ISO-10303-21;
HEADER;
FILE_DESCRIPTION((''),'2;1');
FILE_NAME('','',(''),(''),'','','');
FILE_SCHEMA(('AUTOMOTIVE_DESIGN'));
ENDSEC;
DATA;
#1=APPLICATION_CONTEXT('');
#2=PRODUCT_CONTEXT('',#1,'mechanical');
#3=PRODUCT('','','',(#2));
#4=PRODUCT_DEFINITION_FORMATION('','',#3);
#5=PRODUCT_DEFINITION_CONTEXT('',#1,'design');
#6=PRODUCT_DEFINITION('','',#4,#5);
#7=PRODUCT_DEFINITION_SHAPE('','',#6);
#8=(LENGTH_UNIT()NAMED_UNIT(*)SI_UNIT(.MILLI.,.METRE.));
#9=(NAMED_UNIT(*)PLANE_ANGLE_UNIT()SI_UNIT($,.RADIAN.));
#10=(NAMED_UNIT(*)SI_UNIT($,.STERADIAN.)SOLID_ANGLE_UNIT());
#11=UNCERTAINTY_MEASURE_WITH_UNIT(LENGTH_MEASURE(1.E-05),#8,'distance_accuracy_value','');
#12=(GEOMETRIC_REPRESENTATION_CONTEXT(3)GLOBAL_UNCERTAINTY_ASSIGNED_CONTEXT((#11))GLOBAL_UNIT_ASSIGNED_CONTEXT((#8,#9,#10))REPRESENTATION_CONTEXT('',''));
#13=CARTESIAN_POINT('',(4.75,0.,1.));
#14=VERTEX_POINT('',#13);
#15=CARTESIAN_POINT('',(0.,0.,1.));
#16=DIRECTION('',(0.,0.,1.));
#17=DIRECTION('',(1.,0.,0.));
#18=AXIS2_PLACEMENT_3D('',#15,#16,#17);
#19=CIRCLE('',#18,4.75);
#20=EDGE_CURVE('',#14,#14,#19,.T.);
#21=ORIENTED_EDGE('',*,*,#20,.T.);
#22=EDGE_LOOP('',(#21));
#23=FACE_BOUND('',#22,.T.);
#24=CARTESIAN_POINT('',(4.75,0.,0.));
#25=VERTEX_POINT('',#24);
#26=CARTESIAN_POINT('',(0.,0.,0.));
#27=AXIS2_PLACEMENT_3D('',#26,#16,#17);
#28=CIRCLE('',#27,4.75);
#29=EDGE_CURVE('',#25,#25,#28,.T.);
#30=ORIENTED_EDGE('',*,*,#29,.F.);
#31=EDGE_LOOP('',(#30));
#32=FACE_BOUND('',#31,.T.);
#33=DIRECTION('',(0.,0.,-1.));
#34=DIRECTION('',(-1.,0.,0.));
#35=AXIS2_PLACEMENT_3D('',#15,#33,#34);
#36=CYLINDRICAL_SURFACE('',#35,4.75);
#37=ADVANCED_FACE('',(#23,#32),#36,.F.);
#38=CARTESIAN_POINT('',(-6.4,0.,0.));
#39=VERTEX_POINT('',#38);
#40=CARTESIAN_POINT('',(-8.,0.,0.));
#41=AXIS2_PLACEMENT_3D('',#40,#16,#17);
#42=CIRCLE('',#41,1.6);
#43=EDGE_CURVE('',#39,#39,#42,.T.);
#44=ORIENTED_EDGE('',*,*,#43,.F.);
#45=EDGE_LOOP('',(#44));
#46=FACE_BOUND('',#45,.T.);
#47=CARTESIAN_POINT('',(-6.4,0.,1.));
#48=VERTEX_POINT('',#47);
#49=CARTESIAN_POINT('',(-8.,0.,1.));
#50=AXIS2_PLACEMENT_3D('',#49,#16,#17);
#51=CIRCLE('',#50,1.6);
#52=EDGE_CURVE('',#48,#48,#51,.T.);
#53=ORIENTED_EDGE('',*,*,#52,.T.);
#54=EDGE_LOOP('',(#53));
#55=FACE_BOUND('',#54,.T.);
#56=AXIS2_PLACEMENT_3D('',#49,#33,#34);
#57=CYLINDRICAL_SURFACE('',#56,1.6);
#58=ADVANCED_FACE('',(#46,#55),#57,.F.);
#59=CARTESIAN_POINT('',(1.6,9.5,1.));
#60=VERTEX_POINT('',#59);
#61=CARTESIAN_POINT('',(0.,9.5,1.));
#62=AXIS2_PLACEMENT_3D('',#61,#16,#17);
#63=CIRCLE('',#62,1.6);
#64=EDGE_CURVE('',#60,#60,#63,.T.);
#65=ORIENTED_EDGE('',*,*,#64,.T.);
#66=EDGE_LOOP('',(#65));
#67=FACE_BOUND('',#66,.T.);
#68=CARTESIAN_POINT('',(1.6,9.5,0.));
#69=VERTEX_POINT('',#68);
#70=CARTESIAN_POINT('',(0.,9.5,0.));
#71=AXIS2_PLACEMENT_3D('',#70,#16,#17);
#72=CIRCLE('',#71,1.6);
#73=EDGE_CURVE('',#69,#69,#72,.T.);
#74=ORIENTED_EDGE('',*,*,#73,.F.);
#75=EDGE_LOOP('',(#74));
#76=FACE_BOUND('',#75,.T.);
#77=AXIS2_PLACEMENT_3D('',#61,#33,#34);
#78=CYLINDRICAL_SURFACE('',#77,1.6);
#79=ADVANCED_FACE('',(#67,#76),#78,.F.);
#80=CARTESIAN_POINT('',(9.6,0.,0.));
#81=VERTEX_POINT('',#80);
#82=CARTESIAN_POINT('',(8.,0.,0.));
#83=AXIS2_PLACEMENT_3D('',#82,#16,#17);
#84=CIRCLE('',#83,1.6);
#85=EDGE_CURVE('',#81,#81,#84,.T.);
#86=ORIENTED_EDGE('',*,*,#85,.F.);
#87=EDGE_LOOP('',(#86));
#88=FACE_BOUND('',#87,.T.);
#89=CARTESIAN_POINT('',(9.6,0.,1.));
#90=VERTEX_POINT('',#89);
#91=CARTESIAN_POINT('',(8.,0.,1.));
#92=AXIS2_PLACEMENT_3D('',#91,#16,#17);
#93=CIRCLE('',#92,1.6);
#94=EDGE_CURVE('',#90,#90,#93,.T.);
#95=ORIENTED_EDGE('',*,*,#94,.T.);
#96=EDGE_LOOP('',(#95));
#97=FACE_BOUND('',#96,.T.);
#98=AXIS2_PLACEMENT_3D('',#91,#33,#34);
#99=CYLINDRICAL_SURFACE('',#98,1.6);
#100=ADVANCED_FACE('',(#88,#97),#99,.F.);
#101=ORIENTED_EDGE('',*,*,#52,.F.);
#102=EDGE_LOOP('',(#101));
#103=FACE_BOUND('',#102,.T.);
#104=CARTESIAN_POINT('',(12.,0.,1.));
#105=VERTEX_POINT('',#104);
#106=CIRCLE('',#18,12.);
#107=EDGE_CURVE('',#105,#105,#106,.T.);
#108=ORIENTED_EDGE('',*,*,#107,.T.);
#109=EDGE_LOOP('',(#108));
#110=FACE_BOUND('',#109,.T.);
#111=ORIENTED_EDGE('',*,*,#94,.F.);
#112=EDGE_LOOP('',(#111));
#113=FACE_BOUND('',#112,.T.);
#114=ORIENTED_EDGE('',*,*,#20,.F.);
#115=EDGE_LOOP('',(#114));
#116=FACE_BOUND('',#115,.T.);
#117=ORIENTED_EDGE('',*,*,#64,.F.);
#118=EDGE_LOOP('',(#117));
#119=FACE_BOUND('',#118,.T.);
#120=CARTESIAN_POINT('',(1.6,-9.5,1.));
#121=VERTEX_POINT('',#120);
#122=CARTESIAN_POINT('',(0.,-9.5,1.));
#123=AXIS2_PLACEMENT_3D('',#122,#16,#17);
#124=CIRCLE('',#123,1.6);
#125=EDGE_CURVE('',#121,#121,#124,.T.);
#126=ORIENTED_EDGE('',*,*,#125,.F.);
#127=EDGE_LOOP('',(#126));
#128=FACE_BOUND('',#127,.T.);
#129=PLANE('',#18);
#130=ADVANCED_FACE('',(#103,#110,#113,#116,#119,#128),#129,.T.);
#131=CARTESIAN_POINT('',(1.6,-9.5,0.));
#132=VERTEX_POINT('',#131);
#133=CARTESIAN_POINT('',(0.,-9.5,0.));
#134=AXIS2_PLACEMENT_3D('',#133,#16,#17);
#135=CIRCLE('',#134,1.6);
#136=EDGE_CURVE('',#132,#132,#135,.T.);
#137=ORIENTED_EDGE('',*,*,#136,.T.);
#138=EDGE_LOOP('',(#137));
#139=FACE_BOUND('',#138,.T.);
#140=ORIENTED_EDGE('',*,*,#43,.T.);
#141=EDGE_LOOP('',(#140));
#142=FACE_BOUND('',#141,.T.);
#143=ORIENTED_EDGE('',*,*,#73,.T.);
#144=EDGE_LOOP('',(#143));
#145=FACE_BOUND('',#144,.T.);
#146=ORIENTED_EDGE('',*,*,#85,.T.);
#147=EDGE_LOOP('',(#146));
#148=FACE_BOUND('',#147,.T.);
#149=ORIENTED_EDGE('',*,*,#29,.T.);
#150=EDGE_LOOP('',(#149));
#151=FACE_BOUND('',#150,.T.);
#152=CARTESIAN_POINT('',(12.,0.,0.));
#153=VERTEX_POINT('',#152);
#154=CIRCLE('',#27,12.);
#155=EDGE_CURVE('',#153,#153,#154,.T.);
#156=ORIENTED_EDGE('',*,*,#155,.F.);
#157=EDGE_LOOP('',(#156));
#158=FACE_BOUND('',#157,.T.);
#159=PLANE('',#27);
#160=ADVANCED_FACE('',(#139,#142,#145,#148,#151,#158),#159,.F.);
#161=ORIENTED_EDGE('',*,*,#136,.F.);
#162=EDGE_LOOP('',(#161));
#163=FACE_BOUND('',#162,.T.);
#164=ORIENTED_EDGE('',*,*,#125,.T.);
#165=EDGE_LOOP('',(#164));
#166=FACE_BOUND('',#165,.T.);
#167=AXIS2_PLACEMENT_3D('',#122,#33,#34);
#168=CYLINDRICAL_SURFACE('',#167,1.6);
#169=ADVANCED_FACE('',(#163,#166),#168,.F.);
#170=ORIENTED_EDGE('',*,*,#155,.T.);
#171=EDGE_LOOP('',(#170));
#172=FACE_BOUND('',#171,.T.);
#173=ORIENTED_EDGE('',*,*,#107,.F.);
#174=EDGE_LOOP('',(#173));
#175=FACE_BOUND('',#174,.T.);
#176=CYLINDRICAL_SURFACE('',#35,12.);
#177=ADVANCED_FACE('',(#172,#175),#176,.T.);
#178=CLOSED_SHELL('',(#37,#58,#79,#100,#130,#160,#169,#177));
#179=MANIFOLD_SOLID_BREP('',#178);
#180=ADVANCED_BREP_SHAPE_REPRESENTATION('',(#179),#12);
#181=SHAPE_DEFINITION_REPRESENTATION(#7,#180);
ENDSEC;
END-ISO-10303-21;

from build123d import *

# Parameters (mm, degrees)
SKETCH_1_R      = 12
SKETCH_1_R_2    = 4.75
SKETCH_1_R_3    = 1.6
EXTRUDE_1_DEPTH = 1


with BuildPart() as part:
    # 草图1 → 凸台-拉伸1 (new body)
    with BuildSketch(Plane.XY):
        Circle(SKETCH_1_R)
        Circle(SKETCH_1_R_2, mode=Mode.SUBTRACT)
        with Locations((8, 0)):
            Circle(SKETCH_1_R_3, mode=Mode.SUBTRACT)
        with Locations((-8, 0)):
            Circle(SKETCH_1_R_3, mode=Mode.SUBTRACT)
        with Locations((0, 9.5)):
            Circle(SKETCH_1_R_3, mode=Mode.SUBTRACT)
        with Locations((0, -9.5)):
            Circle(SKETCH_1_R_3, mode=Mode.SUBTRACT)
    extrude(amount=EXTRUDE_1_DEPTH)


solid = part.part
